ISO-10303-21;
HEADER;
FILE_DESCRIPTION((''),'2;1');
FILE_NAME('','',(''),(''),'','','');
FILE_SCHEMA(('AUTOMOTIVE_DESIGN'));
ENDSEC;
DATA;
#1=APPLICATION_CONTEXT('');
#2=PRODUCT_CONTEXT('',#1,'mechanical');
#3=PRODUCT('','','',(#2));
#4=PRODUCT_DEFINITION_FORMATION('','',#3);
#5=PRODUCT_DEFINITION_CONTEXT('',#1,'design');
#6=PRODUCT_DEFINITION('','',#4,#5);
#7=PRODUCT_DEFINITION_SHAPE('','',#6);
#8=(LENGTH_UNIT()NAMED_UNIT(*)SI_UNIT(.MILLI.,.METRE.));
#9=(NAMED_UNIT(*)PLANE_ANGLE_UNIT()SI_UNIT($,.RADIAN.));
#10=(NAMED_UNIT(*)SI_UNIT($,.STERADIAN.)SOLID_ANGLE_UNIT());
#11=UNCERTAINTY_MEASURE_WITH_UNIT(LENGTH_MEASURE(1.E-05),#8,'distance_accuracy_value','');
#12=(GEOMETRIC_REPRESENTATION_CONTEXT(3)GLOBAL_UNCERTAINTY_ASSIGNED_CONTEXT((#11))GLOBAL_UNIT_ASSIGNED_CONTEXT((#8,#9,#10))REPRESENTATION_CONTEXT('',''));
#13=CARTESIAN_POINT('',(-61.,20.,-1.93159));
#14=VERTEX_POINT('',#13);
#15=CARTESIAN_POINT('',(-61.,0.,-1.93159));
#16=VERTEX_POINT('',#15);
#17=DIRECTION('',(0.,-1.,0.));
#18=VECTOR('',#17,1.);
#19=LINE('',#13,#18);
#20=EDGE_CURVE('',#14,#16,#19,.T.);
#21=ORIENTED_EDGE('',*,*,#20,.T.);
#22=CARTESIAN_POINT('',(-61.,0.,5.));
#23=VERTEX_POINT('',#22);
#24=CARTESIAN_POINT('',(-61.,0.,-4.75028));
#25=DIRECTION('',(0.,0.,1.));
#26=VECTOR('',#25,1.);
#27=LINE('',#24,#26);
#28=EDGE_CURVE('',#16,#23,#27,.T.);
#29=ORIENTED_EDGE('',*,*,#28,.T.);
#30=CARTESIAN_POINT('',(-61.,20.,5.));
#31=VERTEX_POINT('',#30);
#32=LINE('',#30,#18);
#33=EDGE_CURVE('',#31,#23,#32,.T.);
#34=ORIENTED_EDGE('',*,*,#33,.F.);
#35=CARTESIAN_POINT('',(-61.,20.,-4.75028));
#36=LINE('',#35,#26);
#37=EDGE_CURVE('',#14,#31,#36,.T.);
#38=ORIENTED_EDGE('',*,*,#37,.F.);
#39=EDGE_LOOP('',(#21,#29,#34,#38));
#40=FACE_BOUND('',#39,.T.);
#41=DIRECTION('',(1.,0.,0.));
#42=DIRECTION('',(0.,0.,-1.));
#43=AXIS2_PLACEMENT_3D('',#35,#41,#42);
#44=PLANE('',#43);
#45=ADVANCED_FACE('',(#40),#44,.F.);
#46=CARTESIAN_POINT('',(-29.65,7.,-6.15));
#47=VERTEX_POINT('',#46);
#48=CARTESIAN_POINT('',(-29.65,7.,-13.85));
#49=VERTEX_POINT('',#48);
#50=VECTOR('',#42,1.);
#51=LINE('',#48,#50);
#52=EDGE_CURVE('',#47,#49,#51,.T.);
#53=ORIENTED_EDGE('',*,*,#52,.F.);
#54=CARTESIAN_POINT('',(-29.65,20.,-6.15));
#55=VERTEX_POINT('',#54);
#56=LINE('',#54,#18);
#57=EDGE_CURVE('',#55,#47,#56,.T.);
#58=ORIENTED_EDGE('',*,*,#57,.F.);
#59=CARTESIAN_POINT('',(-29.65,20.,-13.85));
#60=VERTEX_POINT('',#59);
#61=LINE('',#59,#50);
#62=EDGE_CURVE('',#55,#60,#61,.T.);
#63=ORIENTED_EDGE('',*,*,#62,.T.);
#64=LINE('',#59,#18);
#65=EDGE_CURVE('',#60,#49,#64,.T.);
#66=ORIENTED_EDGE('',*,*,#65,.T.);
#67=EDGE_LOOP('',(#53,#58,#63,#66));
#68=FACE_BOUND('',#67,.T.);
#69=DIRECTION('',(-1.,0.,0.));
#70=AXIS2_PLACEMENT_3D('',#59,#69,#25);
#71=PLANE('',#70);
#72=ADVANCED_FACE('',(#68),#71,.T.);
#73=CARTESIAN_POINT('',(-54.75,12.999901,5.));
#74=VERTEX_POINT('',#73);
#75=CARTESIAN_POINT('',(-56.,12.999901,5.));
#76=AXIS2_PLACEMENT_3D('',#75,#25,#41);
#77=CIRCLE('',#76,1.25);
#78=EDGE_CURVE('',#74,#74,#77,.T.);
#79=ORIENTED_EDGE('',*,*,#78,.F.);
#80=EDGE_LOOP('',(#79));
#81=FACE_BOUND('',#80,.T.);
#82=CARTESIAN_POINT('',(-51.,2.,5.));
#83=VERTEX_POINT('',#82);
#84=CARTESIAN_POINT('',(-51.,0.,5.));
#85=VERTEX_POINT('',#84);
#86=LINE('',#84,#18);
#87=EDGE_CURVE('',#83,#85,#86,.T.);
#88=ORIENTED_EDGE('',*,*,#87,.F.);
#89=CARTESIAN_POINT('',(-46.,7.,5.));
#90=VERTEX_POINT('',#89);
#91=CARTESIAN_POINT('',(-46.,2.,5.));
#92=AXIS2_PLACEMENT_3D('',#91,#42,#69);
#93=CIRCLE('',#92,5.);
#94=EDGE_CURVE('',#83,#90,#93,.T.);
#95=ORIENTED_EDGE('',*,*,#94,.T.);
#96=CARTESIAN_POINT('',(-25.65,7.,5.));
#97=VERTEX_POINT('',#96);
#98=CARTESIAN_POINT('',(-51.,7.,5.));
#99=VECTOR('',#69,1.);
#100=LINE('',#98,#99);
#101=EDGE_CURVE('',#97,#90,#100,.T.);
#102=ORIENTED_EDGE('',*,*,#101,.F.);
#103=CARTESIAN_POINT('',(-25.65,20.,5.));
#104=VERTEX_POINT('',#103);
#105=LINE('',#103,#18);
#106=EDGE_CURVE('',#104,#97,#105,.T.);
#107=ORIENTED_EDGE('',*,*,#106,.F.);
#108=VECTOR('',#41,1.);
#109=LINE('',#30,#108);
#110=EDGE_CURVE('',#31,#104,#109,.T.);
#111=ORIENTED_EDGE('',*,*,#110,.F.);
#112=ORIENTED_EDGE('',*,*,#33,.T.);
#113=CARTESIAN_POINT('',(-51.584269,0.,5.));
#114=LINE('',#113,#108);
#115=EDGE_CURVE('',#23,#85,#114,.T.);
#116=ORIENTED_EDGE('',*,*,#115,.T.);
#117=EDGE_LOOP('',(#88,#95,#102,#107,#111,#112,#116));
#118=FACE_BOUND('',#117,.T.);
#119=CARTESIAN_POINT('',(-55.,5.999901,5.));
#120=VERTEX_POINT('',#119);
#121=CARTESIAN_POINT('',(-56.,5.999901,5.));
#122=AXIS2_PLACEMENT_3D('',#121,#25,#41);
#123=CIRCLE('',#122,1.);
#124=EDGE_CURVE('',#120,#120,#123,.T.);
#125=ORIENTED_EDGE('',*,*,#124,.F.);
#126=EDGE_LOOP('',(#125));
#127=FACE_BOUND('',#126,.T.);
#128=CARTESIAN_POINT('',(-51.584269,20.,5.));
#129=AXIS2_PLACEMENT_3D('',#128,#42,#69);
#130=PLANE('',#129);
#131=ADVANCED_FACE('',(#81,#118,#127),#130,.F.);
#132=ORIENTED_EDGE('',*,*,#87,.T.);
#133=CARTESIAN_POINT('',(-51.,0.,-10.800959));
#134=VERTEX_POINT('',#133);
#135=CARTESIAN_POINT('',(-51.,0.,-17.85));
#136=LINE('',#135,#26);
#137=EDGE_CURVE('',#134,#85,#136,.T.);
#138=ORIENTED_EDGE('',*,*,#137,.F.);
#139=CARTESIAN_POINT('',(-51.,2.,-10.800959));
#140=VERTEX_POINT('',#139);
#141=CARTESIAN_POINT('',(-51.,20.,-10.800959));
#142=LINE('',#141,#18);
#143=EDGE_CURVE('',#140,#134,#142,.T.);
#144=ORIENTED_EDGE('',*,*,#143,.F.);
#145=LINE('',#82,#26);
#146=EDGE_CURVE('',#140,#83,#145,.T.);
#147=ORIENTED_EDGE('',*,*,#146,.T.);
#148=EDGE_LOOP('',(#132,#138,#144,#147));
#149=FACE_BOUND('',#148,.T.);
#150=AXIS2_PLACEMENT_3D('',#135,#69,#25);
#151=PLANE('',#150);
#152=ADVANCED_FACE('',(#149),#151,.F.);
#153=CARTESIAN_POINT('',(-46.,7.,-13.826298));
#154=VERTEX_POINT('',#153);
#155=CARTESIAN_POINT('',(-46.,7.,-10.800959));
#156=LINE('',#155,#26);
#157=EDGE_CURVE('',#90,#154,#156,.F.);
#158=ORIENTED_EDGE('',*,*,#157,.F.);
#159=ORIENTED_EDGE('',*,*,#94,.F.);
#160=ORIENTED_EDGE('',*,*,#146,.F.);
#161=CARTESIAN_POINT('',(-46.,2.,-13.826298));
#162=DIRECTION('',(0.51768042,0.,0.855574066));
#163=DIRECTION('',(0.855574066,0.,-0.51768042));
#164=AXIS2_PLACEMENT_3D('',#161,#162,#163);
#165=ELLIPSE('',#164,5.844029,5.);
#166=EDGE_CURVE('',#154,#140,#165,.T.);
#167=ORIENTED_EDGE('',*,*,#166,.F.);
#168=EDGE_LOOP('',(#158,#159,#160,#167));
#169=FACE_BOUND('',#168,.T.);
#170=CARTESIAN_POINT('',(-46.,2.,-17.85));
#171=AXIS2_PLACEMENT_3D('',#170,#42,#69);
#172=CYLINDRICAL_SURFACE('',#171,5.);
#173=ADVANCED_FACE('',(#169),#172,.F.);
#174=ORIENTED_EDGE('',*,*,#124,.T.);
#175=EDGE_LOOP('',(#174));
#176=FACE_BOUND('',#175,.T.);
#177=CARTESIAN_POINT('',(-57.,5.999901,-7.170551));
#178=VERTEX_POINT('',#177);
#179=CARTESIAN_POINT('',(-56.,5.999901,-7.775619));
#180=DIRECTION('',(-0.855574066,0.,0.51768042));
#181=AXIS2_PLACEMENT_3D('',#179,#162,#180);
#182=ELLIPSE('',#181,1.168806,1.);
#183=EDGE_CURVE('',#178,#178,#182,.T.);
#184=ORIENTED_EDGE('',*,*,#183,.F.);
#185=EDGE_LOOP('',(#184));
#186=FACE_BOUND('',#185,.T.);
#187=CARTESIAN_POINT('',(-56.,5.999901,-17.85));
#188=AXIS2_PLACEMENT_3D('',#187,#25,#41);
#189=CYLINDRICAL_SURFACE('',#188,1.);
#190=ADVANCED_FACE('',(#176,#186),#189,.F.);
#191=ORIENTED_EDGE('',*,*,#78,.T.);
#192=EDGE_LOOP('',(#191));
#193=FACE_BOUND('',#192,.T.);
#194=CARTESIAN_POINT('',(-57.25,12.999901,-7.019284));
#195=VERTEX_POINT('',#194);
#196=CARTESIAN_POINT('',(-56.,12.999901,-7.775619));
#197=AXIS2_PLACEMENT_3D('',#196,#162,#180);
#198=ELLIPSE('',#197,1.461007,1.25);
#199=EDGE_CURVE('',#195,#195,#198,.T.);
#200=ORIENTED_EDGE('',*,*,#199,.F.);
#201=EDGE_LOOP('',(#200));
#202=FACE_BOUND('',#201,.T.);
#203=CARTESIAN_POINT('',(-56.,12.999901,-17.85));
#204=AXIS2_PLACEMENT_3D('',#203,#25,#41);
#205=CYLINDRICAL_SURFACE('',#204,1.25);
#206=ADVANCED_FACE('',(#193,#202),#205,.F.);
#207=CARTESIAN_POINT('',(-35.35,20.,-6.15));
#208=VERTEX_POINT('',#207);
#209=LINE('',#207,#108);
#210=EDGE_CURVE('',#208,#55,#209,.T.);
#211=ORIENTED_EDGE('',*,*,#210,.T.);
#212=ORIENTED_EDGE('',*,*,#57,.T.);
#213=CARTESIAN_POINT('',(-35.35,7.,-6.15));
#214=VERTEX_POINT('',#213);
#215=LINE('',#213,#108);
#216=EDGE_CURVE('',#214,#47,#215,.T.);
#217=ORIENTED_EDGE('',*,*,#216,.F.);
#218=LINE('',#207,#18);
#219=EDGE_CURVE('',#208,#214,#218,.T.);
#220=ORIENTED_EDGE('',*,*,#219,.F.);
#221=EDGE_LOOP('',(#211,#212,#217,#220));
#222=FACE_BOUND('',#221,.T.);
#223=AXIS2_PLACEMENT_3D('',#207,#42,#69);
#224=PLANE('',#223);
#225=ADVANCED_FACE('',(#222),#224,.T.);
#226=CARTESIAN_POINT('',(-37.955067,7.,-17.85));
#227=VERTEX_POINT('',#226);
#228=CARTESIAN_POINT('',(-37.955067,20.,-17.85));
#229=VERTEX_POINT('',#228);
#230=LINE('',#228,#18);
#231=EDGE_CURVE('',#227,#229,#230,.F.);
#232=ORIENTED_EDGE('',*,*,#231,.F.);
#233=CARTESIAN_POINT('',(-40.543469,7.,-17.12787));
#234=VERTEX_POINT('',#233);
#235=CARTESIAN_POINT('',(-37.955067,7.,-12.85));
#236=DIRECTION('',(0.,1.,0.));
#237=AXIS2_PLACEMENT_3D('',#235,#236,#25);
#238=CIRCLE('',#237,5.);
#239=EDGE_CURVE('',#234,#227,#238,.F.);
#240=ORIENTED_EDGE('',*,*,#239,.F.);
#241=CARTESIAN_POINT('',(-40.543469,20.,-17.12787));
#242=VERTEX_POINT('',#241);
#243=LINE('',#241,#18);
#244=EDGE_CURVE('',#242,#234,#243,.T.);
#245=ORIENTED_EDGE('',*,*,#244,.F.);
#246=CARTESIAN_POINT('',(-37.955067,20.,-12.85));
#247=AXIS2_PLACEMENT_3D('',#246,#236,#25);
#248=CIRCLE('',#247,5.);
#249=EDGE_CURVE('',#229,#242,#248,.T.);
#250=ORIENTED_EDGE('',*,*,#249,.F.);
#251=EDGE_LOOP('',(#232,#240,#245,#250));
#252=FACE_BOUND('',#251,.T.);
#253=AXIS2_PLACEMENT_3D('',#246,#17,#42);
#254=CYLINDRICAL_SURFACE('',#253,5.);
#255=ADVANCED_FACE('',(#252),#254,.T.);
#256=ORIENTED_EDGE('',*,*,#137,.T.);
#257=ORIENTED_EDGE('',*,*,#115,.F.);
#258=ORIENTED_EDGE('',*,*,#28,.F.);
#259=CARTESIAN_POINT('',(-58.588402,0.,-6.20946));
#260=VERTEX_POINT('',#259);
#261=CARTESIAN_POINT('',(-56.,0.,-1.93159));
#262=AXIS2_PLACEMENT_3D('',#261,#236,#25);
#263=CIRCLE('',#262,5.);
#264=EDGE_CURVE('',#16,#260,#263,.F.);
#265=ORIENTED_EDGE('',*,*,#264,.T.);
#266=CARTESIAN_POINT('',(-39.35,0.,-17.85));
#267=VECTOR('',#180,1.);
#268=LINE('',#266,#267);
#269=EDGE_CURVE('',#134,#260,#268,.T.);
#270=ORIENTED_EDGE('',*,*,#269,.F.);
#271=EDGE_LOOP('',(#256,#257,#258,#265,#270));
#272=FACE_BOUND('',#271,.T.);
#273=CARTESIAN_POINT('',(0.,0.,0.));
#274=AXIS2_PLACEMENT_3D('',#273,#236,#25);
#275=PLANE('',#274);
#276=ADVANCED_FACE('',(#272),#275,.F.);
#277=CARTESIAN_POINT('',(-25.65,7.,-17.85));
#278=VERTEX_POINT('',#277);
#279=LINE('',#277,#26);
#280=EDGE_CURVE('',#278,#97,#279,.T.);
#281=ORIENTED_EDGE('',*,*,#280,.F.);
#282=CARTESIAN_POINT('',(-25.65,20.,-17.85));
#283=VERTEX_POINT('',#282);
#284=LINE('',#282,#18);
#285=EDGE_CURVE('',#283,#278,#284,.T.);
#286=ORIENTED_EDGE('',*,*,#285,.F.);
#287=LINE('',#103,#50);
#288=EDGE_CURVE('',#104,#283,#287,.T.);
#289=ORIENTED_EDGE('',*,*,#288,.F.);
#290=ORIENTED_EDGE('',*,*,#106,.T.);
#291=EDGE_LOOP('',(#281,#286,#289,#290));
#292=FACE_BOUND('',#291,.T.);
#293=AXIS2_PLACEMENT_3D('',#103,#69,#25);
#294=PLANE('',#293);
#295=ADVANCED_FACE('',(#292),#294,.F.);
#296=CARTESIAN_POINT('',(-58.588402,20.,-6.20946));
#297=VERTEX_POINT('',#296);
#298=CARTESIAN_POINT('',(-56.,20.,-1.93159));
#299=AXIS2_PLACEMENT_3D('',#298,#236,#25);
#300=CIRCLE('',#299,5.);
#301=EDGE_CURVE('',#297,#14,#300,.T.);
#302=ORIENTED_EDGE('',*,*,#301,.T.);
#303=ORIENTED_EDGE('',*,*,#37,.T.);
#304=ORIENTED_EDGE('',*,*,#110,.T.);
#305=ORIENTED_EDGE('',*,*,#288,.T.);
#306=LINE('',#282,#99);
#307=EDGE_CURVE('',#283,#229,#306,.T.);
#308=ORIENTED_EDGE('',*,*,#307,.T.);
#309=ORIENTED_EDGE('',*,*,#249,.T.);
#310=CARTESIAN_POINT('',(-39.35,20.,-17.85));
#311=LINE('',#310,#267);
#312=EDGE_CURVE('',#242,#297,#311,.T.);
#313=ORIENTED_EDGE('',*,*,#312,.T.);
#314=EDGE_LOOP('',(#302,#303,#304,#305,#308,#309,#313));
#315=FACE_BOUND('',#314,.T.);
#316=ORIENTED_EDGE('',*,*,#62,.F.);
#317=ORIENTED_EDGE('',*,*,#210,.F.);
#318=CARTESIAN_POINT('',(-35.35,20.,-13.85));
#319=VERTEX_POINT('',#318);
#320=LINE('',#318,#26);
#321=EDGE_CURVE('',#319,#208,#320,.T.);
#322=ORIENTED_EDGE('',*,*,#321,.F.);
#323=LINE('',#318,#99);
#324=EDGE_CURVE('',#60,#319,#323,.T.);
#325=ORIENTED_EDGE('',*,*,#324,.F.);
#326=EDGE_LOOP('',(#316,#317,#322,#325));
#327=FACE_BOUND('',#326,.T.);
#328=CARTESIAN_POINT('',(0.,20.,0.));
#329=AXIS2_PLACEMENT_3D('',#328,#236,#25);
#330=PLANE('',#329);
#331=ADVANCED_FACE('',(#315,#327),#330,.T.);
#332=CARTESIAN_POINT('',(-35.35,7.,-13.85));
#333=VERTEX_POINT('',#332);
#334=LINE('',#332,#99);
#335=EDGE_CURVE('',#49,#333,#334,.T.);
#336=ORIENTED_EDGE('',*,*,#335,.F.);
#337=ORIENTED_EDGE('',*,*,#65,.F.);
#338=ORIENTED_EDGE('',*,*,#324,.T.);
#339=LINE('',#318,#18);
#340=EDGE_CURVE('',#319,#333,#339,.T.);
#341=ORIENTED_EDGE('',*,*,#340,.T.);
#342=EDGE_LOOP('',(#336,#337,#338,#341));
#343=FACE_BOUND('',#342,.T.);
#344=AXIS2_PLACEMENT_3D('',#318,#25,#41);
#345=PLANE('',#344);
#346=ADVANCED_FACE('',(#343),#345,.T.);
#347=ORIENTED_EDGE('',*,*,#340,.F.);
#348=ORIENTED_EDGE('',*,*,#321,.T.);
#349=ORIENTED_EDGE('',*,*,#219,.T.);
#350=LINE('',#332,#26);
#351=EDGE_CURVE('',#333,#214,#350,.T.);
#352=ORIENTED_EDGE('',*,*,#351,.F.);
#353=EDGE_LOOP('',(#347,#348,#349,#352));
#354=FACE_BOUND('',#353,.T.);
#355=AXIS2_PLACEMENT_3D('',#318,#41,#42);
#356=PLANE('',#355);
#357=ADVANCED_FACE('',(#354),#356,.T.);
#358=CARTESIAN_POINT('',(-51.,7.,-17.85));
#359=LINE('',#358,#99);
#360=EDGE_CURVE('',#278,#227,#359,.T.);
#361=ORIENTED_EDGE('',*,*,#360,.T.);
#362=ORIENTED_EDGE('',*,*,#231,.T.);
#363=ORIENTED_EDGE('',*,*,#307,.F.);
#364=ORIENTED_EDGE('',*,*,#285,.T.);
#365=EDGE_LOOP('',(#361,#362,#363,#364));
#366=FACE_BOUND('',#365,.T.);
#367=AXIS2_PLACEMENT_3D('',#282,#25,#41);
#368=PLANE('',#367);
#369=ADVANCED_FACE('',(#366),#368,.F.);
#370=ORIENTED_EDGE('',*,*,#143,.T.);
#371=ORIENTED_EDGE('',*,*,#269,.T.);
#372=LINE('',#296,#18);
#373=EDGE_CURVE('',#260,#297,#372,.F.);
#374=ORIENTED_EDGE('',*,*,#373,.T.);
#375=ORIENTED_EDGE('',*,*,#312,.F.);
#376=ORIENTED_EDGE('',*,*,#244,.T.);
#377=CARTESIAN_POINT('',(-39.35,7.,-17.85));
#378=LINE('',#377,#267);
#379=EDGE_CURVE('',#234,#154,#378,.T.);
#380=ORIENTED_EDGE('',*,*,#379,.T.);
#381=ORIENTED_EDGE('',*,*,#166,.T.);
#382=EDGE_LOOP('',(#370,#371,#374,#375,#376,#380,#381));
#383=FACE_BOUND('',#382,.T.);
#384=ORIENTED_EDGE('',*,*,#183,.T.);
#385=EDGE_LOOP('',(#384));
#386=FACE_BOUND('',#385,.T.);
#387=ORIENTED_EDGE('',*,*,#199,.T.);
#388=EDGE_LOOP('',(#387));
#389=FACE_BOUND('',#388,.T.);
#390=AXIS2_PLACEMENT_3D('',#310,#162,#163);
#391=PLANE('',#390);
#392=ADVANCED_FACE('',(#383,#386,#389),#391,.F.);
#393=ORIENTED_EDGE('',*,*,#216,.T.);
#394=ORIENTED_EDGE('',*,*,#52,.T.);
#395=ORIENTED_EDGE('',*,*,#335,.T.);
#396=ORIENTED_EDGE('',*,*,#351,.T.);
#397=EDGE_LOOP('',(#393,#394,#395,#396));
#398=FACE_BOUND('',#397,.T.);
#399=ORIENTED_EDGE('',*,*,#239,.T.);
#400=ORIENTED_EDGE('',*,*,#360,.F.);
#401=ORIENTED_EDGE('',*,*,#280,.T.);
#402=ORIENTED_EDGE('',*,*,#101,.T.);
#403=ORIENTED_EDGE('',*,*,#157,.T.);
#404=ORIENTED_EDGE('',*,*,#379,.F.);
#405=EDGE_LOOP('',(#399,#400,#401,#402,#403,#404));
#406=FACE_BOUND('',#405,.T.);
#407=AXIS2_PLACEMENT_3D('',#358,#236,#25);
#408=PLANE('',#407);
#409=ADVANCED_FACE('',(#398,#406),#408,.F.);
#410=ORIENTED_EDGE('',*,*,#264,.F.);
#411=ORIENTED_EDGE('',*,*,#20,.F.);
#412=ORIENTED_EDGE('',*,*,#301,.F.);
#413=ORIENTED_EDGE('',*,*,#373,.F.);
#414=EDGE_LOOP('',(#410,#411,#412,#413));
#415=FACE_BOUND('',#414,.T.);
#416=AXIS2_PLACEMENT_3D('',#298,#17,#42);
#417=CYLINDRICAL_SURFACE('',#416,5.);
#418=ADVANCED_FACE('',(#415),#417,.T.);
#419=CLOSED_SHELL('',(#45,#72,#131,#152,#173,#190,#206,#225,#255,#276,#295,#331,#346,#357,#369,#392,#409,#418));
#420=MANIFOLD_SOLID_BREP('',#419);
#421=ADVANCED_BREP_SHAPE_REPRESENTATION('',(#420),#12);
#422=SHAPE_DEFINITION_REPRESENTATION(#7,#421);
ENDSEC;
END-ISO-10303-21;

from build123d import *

# Parameters (mm, degrees)
ESQUISSE2_W             = 5.7
ESQUISSE2_H             = 7.7
BOSS_EXTRU_1_DEPTH      = 20
ESQUISSE3_R             = 1.25
ESQUISSE3_R_2           = 1
ESQUISSE3_W             = 25.35
ESQUISSE3_H             = 7
ENL_V_MAT_EXTRU_1_DEPTH = 23.85
CONG_1_R                = 5
CONG_2_R                = 5


with BuildPart() as part:
    # Esquisse2 → Boss.-Extru.1 (new body)
    with BuildSketch(Plane(origin=(0, 0, 0), x_dir=(1, 0, 0), z_dir=(0, 1, 0))):
        Polygon((-61, -5), (-51.584269114, -5), (-25.65, -5), (-25.65, 17.85), (-39.35, 17.85), (-61, 4.750279551), align=None)
        with Locations((-32.5, 10)):
            Rectangle(ESQUISSE2_W, ESQUISSE2_H, mode=Mode.SUBTRACT)
    extrude(amount=BOSS_EXTRU_1_DEPTH)

    # Esquisse3 → Enlèv. mat.-Extru.1 (cut, through all)
    with BuildSketch(Plane.XY.offset(5)):
        with Locations((-56, 12.999901199)):
            Circle(ESQUISSE3_R)
        with Locations((-56, 5.999901199)):
            Circle(ESQUISSE3_R_2)
        with Locations((-38.325, 3.5)):
            Rectangle(ESQUISSE3_W, ESQUISSE3_H)
    extrude(amount=-ENL_V_MAT_EXTRU_1_DEPTH, mode=Mode.SUBTRACT)

    # Congé1
    cong_1_edges = [part.edges().sort_by_distance(p)[0] for p in [
        (-51, 7, -2.900479371),
    ]]
    fillet(cong_1_edges, radius=CONG_1_R)

    # Congé2
    cong_2_edges = [part.edges().sort_by_distance(p)[0] for p in [
        (-61, 10, -4.750279551),
        (-39.35, 13.5, -17.85),
    ]]
    fillet(cong_2_edges, radius=CONG_2_R)


solid = part.part
